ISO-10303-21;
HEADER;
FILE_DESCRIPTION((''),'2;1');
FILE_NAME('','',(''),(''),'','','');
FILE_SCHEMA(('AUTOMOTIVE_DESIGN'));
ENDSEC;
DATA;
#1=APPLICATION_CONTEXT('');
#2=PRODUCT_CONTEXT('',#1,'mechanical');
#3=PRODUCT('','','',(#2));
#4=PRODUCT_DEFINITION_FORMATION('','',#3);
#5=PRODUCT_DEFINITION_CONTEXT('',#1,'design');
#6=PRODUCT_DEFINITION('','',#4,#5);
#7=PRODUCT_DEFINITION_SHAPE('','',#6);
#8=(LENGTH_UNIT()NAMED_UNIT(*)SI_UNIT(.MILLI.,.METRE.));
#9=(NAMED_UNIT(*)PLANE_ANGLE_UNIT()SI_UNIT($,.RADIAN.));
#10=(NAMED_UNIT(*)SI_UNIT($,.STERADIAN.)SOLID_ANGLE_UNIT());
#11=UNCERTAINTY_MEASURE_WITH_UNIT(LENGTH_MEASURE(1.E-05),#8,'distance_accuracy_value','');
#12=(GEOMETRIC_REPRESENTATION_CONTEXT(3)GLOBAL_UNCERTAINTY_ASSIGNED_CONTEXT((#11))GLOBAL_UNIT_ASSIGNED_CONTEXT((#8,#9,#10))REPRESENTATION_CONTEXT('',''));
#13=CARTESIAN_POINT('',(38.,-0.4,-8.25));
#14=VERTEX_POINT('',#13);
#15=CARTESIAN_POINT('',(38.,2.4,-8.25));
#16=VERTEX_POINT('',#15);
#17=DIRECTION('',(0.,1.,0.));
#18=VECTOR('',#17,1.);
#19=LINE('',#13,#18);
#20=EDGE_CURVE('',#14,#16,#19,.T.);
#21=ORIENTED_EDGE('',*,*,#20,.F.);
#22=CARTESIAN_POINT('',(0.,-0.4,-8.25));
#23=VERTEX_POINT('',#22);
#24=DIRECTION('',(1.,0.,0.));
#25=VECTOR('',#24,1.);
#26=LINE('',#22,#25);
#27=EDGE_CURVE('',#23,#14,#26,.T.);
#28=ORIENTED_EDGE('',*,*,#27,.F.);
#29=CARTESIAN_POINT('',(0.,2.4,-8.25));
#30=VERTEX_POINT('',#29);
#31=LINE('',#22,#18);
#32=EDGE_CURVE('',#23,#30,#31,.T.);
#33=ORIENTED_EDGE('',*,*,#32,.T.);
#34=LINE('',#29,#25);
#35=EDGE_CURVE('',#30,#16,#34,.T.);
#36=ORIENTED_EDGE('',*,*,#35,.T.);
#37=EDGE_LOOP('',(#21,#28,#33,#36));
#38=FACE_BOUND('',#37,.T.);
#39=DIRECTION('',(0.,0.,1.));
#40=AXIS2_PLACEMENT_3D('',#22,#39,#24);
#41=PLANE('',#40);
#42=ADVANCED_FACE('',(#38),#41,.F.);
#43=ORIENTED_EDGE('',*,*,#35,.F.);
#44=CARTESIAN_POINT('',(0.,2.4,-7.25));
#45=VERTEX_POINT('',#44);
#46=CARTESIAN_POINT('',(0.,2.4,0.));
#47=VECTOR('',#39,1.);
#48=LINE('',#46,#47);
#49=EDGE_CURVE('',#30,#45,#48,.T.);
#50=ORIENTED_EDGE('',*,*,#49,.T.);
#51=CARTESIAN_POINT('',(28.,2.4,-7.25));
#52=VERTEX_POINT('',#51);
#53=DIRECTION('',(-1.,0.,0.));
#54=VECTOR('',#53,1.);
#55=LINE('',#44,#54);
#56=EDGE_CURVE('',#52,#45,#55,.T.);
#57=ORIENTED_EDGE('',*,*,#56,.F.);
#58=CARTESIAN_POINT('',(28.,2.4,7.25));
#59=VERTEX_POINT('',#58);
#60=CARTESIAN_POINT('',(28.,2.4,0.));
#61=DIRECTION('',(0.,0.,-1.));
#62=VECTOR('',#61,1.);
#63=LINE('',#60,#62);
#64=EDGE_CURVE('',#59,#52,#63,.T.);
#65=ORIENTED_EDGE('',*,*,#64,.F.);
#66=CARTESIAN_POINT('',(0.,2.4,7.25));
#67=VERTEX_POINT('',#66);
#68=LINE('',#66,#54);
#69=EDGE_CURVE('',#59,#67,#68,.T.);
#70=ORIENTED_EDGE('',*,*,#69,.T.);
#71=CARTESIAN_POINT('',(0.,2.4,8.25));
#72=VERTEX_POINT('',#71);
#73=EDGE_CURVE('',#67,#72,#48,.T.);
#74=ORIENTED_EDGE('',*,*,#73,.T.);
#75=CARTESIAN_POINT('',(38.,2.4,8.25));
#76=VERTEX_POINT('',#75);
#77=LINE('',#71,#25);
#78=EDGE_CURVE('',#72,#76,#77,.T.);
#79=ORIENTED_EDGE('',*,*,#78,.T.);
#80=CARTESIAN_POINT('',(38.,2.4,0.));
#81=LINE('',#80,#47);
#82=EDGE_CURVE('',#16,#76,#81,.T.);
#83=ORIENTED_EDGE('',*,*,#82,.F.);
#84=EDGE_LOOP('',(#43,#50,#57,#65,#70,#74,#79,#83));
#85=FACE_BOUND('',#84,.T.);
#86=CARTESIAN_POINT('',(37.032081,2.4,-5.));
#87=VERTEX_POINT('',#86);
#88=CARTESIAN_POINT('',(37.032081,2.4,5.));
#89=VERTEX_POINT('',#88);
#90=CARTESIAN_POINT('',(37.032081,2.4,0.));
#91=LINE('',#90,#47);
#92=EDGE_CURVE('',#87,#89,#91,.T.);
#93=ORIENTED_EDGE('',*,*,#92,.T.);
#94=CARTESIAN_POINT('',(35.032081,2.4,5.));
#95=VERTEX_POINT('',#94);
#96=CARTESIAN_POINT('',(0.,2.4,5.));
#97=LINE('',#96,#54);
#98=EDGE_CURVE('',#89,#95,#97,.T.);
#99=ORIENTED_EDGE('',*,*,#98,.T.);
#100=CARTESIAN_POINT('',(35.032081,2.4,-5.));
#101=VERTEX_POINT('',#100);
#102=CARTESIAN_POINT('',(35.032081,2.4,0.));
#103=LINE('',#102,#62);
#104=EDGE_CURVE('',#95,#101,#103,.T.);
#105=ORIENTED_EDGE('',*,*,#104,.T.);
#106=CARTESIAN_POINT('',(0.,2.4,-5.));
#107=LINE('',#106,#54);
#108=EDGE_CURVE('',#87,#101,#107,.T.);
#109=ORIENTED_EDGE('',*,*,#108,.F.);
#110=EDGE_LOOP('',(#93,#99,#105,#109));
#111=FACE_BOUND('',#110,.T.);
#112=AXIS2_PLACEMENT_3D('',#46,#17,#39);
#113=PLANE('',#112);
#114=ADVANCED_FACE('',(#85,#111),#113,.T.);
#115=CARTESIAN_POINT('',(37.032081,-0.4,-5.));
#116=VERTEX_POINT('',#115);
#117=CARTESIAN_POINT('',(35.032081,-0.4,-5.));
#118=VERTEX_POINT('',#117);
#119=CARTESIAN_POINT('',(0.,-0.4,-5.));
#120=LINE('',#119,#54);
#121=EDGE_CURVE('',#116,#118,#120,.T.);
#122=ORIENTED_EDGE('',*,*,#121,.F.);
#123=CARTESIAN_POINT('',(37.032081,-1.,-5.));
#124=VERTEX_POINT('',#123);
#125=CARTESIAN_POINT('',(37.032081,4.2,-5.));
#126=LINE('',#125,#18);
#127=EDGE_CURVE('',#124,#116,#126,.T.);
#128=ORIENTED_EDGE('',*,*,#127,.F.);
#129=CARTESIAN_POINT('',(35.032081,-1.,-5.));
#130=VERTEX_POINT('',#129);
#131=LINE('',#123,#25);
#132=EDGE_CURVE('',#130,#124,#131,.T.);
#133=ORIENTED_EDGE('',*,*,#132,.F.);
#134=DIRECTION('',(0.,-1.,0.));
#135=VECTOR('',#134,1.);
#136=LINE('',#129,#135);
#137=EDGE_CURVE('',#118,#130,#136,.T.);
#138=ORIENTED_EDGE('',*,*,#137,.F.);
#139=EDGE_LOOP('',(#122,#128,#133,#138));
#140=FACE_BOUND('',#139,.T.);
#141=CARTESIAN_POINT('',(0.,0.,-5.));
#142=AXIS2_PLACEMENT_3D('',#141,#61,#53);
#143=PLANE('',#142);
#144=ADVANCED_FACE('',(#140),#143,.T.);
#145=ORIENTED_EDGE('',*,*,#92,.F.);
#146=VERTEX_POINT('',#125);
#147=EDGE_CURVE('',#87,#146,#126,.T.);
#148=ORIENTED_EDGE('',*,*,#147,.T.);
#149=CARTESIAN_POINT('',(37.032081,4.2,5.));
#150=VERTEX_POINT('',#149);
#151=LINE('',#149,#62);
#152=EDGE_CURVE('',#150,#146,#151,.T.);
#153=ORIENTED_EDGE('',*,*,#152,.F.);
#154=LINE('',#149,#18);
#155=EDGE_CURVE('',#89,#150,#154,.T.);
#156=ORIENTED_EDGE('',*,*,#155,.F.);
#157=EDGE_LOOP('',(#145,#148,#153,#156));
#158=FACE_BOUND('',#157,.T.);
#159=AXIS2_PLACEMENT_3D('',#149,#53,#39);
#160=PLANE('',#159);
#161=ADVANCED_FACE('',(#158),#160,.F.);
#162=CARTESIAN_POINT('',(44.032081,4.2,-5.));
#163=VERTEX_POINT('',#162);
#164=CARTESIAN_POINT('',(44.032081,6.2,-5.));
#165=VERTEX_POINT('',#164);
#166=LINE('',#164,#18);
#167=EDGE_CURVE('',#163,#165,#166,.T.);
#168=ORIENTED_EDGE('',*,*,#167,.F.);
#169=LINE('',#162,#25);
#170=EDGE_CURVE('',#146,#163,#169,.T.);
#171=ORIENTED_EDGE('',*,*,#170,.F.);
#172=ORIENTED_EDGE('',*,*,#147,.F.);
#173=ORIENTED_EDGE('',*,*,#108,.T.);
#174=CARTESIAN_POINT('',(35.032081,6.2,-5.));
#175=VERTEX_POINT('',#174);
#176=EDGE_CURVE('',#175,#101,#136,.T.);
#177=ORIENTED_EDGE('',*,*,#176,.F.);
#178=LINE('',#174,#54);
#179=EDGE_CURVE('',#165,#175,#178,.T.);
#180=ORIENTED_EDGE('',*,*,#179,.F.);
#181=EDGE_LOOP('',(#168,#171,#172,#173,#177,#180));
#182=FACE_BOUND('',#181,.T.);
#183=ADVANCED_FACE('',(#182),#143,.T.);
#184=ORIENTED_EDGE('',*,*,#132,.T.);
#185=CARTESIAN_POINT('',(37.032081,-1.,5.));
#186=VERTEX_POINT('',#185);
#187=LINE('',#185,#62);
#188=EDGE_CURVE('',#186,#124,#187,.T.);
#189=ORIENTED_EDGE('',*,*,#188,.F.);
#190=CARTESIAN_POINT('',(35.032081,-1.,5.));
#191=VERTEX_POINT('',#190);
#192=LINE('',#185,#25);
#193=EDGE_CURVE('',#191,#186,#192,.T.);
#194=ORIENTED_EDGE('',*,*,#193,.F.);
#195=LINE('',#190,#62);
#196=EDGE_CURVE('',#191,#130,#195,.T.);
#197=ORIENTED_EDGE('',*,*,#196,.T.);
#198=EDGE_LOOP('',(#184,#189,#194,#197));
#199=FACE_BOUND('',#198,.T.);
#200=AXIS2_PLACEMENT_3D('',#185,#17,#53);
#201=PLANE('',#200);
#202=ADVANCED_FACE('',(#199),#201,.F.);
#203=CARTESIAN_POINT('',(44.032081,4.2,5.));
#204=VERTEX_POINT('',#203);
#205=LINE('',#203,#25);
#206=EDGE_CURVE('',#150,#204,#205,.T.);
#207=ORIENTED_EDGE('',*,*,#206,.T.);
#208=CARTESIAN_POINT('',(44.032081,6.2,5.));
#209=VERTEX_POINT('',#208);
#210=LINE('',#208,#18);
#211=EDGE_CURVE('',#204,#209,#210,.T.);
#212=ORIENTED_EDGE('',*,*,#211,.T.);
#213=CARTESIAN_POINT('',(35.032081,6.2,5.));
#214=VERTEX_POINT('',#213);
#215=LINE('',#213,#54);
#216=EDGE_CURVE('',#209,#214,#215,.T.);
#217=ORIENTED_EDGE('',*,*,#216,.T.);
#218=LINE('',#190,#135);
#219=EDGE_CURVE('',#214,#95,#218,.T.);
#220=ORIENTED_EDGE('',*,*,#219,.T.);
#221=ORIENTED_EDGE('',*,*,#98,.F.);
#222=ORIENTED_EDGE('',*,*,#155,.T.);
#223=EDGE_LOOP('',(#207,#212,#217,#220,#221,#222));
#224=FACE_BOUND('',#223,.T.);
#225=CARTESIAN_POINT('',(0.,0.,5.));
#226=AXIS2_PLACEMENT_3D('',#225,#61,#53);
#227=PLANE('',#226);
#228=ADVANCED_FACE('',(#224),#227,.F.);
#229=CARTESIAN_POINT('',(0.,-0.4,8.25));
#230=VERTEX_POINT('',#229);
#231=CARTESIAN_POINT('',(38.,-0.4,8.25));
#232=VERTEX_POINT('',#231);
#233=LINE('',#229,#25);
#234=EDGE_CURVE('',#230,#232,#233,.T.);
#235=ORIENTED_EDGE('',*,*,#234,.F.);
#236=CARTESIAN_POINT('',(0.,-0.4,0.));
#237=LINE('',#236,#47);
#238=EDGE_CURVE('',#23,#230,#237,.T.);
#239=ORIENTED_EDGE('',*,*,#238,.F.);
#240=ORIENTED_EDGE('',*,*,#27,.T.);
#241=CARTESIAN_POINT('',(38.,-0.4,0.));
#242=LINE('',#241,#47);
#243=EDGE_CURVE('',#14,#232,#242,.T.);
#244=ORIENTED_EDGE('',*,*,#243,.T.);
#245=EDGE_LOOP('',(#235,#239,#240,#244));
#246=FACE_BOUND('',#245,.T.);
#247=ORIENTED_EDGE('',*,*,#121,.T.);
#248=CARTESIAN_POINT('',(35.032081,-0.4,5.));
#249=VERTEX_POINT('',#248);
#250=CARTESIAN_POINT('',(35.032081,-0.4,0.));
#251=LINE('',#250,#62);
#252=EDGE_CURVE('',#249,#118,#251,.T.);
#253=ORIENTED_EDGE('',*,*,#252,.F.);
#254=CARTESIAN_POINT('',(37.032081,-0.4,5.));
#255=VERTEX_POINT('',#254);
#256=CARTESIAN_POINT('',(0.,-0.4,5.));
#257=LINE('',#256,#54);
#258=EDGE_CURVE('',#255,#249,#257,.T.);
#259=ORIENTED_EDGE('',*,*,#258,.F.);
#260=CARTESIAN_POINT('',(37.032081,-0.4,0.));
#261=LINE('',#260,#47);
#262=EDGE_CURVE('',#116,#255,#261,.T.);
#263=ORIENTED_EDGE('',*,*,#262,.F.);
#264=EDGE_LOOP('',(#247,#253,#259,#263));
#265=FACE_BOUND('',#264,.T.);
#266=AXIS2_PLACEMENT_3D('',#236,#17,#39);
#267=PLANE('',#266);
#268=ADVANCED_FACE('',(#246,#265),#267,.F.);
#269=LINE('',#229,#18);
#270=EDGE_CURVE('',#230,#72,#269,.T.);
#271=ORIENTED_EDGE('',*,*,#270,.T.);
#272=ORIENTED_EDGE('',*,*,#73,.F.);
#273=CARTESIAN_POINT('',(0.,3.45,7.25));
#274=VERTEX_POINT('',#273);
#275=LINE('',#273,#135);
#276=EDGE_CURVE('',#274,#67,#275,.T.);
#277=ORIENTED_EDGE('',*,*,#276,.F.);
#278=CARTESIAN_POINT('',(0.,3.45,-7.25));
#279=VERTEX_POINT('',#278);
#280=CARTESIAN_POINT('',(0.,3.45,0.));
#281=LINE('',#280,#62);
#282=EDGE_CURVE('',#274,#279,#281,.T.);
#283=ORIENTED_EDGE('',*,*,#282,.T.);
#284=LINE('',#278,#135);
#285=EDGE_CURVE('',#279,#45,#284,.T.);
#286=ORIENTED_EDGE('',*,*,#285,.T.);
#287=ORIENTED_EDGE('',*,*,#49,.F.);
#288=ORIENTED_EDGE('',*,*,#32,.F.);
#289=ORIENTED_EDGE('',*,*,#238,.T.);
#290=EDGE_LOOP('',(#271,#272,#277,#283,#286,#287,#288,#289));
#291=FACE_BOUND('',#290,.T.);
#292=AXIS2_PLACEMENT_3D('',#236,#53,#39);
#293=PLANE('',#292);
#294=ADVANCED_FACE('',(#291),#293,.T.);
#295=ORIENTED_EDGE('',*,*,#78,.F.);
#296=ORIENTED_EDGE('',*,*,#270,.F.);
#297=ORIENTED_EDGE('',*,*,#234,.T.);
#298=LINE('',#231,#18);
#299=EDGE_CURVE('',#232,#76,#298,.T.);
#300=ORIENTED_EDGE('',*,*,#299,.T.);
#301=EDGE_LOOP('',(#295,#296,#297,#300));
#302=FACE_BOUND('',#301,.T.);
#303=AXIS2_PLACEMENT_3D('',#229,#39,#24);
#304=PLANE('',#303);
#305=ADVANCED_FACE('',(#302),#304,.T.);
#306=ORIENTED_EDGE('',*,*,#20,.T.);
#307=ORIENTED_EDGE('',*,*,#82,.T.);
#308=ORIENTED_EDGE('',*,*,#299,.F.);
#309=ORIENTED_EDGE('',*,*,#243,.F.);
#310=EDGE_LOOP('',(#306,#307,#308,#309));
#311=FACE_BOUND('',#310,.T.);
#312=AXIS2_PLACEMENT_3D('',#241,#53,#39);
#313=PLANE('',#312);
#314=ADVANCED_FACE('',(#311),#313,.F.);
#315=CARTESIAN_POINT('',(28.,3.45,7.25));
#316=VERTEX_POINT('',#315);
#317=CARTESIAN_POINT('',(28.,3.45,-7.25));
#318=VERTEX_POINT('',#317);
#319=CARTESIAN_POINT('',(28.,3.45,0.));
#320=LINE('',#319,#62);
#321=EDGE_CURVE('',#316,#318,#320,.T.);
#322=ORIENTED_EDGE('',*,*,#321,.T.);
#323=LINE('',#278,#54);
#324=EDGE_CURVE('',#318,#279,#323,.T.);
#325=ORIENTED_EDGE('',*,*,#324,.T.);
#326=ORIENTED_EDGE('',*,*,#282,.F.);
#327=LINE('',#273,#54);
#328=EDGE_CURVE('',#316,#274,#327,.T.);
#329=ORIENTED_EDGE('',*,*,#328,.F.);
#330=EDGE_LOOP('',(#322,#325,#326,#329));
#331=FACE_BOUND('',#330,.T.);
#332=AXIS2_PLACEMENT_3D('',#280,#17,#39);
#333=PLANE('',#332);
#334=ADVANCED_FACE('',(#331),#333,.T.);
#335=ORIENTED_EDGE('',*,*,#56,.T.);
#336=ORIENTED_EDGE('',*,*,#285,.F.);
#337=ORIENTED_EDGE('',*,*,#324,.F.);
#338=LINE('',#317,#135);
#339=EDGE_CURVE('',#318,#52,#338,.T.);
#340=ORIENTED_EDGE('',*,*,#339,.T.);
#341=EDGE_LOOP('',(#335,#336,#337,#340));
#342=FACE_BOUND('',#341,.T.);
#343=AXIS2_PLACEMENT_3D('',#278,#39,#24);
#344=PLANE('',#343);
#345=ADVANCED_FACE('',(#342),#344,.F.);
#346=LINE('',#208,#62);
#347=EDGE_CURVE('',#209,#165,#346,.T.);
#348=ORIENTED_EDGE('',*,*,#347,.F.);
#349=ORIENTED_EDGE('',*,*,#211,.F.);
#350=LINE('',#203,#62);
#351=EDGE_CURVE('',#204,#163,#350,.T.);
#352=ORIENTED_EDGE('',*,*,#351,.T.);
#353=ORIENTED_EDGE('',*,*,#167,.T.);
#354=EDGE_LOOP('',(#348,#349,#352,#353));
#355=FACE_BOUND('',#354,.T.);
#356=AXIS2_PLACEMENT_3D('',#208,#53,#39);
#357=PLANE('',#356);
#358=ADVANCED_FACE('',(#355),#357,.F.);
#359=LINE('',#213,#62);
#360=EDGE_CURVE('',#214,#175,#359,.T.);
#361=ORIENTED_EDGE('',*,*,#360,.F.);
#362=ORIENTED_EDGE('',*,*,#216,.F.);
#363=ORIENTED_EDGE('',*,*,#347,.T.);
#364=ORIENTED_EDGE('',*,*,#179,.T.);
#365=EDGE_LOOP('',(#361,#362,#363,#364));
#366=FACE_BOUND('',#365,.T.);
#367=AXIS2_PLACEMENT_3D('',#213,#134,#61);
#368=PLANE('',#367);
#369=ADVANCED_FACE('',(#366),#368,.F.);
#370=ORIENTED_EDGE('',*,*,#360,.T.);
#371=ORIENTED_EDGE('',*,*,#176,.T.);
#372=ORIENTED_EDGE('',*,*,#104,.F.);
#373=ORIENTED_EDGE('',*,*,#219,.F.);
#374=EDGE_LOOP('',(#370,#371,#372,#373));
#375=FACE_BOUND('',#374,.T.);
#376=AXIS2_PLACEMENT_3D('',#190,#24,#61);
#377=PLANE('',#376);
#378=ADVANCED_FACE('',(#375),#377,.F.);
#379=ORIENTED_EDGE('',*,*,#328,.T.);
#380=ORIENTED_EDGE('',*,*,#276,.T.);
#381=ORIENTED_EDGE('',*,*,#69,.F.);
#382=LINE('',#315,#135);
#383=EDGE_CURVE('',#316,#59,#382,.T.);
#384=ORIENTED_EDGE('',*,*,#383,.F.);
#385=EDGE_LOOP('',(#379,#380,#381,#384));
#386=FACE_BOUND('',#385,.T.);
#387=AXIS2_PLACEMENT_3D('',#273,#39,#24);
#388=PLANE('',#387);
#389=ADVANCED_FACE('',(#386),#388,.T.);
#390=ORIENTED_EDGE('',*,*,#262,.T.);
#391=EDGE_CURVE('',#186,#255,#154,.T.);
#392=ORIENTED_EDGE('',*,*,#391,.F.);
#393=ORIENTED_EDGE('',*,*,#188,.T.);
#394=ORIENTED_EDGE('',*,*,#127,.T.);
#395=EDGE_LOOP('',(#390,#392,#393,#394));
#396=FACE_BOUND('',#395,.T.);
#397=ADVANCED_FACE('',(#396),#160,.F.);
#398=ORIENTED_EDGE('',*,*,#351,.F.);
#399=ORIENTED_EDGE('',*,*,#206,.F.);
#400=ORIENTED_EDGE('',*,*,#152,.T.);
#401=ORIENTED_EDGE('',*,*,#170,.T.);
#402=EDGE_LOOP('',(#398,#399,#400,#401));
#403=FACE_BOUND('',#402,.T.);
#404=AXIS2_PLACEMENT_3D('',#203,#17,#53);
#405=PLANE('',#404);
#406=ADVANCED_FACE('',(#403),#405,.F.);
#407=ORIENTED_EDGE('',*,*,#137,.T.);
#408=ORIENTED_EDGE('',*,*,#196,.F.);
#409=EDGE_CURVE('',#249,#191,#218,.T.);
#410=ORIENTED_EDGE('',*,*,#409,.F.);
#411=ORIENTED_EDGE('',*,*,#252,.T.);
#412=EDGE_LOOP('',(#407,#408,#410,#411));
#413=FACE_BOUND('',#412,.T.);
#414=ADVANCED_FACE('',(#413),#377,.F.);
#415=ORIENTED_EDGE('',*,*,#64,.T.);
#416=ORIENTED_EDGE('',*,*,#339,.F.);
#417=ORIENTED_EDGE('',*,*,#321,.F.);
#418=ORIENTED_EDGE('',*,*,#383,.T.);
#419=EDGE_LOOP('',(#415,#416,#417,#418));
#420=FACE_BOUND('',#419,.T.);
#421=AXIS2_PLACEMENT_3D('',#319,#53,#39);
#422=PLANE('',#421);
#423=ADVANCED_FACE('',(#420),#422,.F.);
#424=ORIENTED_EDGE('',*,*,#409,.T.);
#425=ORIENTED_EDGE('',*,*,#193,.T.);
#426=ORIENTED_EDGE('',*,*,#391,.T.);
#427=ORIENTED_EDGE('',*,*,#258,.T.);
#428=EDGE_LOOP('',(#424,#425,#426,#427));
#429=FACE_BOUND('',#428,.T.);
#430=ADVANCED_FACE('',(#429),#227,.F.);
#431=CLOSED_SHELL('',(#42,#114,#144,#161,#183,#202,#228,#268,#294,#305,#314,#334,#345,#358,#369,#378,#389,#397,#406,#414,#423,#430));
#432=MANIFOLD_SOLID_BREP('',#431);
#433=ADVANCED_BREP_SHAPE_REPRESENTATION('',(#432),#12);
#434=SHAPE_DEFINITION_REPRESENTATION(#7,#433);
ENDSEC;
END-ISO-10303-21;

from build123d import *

# Parameters (mm, degrees)
BOSS_EXTRUDE1_DEPTH      = 2.4
BOSS_EXTRUDE1_DEPTH_BACK = 0.4
SKETCH1_W                = 28
SKETCH1_H                = 14.5
BOSS_EXTRUDE2_START      = 2.4
SKETCH1_3_W              = 28
SKETCH1_3_H              = 14.5
BOSS_EXTRUDE2_DEPTH      = 1.05
BOSS_EXTRUDE3_DEPTH      = 5


with BuildPart() as part:
    # Sketch1 → Boss-Extrude1 (new, two sides: drawn at the far end of the back side and taken through both)
    with BuildSketch(Plane(origin=(0, 0, 0), x_dir=(1, 0, 0), z_dir=(0, 1, 0)).offset(-BOSS_EXTRUDE1_DEPTH_BACK)):
        Polygon((38, 8.25), (0, 8.25), (0, 7.25), (28, 7.25), (28, -7.25), (0, -7.25), (0, -8.25), (38, -8.25), align=None)
        with Locations((14, 0)):
            Rectangle(SKETCH1_W, SKETCH1_H)
    extrude(amount=BOSS_EXTRUDE1_DEPTH + BOSS_EXTRUDE1_DEPTH_BACK)

    # Sketch1<3> → Boss-Extrude2 (add)
    with BuildSketch(Plane(origin=(0, 0, 0), x_dir=(1, 0, 0), z_dir=(0, 1, 0)).offset(BOSS_EXTRUDE2_START)):
        with Locations((14, 0)):
            Rectangle(SKETCH1_3_W, SKETCH1_3_H)
    extrude(amount=BOSS_EXTRUDE2_DEPTH)

    # Sketch2 → Boss-Extrude3 (add, symmetric)
    with BuildSketch(Plane.XY):
        Polygon((37.032081111, -1), (35.032081111, -1), (35.032081111, 6.2), (44.032081111, 6.2), (44.032081111, 4.2), (37.032081111, 4.2), align=None)
    extrude(amount=BOSS_EXTRUDE3_DEPTH, both=True)


solid = part.part
